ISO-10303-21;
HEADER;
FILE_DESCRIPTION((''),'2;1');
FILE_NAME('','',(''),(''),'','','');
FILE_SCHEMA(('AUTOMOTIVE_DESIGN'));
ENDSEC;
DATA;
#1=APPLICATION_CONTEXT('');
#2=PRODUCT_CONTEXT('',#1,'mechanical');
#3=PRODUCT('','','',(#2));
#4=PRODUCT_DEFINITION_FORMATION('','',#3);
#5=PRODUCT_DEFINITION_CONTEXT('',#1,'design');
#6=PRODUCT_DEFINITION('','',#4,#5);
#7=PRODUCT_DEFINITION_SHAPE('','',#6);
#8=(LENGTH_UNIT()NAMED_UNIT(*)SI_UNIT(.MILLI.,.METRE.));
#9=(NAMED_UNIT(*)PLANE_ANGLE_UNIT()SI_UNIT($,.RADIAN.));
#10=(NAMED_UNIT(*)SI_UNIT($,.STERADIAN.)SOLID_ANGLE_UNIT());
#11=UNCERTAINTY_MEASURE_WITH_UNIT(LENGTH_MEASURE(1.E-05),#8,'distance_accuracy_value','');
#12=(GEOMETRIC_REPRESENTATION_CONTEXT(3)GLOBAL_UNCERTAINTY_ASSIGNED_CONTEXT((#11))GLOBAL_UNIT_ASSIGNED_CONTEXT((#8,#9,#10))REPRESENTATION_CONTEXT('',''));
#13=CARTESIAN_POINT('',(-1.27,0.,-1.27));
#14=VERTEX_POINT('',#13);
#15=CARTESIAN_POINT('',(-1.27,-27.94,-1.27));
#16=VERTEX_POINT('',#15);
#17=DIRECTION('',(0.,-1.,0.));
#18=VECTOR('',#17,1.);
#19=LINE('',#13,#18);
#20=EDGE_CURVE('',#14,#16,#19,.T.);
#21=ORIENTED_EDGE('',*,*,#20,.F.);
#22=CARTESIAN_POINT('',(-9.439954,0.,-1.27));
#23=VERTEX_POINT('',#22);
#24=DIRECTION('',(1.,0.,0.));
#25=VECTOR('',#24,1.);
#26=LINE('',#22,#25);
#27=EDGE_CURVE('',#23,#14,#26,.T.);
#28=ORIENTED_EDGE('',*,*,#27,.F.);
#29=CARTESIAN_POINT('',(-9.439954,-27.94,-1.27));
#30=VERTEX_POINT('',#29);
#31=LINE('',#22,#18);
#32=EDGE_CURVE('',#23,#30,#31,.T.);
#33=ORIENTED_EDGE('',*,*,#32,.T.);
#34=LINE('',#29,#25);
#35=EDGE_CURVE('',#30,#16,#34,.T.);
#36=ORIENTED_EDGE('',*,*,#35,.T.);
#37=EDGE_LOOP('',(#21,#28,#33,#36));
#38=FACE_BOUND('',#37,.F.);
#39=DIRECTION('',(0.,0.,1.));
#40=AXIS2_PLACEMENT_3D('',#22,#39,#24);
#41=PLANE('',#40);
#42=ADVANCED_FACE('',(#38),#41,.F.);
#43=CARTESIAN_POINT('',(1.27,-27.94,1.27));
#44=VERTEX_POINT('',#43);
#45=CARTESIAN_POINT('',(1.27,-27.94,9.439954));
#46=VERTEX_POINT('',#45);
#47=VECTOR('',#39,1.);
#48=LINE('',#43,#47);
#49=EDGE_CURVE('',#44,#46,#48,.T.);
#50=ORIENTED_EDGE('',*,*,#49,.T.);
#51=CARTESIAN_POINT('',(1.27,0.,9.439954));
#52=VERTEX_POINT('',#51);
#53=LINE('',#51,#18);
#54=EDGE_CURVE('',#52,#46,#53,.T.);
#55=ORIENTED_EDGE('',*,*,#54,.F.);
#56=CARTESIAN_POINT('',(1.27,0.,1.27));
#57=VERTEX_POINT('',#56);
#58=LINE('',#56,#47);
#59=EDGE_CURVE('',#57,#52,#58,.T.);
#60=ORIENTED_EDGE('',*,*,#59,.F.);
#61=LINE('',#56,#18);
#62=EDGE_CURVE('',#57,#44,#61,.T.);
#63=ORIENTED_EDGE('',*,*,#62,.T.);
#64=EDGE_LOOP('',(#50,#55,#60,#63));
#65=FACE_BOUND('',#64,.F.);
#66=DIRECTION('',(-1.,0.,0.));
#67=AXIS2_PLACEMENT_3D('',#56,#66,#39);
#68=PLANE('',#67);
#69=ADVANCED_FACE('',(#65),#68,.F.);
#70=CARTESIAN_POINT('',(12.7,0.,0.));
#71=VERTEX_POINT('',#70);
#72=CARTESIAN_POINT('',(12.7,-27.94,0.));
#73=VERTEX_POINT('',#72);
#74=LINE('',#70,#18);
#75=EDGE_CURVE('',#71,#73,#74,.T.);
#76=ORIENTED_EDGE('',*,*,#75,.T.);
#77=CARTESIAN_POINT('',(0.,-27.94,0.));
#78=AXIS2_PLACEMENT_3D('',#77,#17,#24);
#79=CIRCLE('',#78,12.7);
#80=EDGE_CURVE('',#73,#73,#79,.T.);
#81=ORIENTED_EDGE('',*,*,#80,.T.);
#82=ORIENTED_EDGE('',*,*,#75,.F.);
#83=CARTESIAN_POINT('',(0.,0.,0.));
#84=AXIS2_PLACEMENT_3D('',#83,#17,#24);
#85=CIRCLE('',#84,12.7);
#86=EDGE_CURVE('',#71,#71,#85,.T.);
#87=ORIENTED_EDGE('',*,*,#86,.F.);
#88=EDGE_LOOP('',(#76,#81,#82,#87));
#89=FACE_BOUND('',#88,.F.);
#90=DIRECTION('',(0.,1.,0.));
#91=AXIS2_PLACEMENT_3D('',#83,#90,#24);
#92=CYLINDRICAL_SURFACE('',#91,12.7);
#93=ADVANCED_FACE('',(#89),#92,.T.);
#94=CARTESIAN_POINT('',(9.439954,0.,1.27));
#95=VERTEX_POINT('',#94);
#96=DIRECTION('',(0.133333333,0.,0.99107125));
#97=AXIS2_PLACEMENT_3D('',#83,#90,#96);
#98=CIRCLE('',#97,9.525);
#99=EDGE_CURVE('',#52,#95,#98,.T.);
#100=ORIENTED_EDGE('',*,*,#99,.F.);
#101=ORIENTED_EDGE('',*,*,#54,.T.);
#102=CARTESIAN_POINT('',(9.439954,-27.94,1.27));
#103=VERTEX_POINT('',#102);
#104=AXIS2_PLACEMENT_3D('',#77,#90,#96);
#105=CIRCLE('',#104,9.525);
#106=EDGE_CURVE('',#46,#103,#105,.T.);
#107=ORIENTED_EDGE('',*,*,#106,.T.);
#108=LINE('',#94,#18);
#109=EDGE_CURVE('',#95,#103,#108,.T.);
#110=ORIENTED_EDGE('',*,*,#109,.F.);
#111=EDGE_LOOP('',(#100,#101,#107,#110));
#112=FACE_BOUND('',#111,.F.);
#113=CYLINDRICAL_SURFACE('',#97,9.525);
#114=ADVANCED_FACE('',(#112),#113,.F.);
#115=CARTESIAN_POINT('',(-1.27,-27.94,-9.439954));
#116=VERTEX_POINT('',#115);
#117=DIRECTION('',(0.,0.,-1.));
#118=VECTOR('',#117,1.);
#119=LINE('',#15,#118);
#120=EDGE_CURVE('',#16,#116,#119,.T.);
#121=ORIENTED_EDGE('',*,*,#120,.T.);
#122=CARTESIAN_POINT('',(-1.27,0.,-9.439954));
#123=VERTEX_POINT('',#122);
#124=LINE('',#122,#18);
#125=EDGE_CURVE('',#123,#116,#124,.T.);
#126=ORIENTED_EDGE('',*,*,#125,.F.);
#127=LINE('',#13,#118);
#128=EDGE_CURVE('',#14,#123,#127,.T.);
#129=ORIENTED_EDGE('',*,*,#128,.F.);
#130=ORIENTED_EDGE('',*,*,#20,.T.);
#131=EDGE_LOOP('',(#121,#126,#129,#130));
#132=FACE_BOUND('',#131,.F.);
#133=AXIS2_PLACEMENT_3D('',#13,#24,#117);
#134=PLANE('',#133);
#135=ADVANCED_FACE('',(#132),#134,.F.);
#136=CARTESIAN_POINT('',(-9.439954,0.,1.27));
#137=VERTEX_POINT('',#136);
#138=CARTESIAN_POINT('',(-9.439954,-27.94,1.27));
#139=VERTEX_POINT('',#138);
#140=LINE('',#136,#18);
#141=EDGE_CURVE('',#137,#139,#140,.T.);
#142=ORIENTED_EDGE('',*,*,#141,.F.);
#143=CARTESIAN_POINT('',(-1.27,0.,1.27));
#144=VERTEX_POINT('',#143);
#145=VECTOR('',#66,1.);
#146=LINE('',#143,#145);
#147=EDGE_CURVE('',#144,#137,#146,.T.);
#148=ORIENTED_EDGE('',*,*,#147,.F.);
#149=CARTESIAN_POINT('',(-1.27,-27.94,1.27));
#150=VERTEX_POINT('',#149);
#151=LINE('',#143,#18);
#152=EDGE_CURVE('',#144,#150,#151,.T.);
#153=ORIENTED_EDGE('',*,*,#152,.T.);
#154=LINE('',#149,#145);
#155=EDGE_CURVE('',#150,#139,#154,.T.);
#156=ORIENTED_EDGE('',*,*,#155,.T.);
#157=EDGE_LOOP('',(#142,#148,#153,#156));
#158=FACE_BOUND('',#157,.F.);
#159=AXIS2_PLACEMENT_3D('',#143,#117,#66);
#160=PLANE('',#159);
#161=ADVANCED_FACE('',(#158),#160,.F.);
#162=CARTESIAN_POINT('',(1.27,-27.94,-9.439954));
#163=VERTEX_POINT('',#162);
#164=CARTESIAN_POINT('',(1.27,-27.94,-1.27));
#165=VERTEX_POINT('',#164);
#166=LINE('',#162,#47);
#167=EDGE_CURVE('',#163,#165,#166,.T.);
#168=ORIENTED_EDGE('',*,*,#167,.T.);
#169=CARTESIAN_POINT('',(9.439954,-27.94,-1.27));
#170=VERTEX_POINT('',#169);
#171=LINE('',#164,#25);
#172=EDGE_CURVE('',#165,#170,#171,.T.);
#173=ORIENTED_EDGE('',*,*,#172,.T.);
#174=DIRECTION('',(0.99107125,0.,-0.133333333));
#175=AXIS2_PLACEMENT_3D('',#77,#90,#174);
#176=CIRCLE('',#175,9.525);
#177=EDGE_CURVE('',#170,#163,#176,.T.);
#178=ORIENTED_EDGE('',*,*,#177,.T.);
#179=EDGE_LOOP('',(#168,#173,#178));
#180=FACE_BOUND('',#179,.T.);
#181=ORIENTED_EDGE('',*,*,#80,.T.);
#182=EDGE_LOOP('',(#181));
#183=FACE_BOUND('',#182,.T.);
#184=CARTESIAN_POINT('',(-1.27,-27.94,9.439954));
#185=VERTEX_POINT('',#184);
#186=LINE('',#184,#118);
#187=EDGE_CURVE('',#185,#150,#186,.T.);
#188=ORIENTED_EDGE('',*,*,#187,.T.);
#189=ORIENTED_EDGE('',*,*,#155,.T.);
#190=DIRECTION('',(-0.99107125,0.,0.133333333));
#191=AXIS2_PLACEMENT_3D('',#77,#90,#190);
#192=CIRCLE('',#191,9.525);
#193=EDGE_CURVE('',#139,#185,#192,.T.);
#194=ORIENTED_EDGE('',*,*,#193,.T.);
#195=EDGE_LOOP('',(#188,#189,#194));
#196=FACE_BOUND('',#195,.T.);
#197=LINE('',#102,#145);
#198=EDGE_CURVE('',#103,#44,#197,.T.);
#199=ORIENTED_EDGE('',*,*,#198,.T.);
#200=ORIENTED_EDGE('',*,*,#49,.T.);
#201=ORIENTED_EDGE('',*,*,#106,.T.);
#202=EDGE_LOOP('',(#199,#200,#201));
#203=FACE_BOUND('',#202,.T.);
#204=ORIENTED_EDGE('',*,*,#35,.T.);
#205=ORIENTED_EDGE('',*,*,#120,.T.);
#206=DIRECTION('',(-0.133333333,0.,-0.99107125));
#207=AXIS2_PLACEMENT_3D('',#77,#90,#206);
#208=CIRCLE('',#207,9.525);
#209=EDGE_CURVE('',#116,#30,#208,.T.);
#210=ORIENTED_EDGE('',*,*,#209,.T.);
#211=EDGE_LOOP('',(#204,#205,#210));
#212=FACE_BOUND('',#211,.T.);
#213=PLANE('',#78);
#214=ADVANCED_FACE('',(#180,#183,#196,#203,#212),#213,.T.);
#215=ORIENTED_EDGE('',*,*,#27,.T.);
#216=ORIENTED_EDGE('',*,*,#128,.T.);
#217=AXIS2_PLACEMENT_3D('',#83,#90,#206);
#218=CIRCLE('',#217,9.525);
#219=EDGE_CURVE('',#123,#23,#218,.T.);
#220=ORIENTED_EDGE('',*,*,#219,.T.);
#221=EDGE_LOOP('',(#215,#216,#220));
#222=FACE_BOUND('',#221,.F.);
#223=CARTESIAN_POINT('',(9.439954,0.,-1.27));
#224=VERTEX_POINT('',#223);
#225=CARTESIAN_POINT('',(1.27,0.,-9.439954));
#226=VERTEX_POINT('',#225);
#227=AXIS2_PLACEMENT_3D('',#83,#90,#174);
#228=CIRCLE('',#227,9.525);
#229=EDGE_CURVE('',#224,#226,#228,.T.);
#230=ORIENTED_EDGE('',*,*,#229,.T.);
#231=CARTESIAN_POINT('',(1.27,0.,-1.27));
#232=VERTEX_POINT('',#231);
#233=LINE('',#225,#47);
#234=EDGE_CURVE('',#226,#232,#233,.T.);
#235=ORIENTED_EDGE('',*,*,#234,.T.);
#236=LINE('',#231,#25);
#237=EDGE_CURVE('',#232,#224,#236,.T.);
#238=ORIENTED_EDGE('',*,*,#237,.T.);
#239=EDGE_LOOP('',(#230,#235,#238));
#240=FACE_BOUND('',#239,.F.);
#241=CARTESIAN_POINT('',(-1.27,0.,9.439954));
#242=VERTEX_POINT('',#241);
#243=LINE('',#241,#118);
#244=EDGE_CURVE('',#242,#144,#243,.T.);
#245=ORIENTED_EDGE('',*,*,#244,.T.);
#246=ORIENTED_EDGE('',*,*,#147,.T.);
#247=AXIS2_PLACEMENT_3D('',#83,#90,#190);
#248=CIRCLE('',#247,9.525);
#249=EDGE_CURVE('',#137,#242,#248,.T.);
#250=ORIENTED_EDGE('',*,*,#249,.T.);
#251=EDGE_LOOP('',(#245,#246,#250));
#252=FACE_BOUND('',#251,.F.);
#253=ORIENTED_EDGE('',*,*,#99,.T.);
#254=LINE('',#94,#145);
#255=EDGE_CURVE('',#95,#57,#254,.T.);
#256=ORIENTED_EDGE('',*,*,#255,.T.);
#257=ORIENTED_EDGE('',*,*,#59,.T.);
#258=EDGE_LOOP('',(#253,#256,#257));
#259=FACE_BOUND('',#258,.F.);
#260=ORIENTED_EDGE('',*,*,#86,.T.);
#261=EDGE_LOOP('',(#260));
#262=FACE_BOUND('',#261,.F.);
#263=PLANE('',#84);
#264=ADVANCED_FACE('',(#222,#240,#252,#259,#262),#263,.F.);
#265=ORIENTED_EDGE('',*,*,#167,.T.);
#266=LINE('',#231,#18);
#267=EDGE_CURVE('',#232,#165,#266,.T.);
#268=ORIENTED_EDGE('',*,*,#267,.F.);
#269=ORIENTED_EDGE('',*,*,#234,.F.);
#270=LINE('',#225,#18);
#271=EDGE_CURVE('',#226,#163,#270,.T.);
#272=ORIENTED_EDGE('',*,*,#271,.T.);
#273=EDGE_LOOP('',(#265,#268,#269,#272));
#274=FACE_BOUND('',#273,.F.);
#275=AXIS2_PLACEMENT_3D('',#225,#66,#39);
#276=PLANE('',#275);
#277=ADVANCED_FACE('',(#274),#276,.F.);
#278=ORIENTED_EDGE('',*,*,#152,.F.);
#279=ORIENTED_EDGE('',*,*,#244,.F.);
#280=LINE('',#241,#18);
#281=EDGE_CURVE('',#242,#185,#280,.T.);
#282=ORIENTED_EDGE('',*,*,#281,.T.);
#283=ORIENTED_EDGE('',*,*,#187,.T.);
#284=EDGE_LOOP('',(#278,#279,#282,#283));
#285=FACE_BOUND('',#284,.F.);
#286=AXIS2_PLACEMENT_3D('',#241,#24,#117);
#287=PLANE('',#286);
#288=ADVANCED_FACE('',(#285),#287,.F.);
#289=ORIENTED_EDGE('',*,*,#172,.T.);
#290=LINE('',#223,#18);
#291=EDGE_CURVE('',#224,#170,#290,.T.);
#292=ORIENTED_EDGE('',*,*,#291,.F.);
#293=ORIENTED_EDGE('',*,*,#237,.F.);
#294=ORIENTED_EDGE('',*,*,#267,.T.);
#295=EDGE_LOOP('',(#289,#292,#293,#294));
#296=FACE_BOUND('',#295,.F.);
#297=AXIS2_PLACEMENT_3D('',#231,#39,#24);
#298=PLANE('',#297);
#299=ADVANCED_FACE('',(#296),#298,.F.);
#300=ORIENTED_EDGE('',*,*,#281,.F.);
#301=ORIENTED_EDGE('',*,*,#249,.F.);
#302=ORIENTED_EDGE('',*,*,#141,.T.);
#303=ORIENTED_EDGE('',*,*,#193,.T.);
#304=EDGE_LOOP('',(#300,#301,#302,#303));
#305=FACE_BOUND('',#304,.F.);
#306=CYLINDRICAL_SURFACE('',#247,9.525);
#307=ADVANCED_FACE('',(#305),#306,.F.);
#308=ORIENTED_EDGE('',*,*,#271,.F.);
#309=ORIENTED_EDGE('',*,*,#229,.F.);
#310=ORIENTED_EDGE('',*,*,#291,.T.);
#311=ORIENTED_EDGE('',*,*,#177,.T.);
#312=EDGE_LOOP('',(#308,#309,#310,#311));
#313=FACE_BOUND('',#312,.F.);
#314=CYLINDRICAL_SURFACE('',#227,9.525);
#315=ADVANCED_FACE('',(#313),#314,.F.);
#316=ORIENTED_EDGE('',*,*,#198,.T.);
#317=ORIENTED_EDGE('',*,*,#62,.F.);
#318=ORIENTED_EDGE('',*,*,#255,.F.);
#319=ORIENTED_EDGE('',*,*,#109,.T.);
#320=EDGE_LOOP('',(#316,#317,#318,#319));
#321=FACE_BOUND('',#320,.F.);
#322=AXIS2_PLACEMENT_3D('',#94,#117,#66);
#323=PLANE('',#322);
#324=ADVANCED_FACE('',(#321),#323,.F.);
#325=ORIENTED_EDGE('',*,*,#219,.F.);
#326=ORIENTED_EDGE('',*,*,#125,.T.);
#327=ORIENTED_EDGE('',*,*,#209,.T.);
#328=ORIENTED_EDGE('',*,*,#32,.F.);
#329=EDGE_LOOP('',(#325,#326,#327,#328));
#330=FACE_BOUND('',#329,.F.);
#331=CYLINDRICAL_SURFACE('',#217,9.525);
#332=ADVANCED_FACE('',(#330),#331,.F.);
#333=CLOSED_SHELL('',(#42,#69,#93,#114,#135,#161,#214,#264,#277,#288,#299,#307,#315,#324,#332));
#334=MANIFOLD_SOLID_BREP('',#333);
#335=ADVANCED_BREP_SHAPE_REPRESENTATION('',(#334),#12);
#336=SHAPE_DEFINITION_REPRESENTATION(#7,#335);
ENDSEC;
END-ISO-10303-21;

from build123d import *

# Parameters (mm, degrees)
F0_R     = 12.7
F0_W     = 2.54
F0_H     = 2.54
F1_DEPTH = 27.94


with BuildPart() as f1:
    # F0 (on Front) → F1 (new body)
    with BuildSketch(Plane.XZ):
        Circle(F0_R)
        with BuildLine():
            ThreePointArc((1.27, 9.4399536545), (6.7351920908, 6.7351920908), (9.4399536545, 1.27))
            Line((9.4399536545, 1.27), (11.43, 1.27))
            Line((11.43, 1.27), (11.43, -1.27))
            Line((11.43, -1.27), (9.4399536545, -1.27))
            ThreePointArc((9.4399536545, -1.27), (6.7351920908, -6.7351920908), (1.27, -9.4399536545))
            Line((1.27, -9.4399536545), (1.27, -11.43))
            Line((1.27, -11.43), (-1.27, -11.43))
            Line((-1.27, -11.43), (-1.27, -9.4399536545))
            ThreePointArc((-1.27, -9.4399536545), (-6.7351920908, -6.7351920908), (-9.4399536545, -1.27))
            Line((-9.4399536545, -1.27), (-11.43, -1.27))
            Line((-11.43, -1.27), (-11.43, 1.27))
            Line((-11.43, 1.27), (-9.4399536545, 1.27))
            ThreePointArc((-9.4399536545, 1.27), (-6.7351920908, 6.7351920908), (-1.27, 9.4399536545))
            Line((-1.27, 9.4399536545), (-1.27, 11.43))
            Line((-1.27, 11.43), (1.27, 11.43))
            Line((1.27, 11.43), (1.27, 9.4399536545))
        make_face(mode=Mode.SUBTRACT)
        with BuildLine():
            ThreePointArc((9.4399536545, -1.27), (9.5037146306, -0.6364222028), (9.525, 0))
            ThreePointArc((9.525, 0), (9.5037146306, 0.6364222028), (9.4399536545, 1.27))
            Line((9.4399536545, 1.27), (1.27, 1.27))
            Line((1.27, 1.27), (1.27, -1.27))
            Line((1.27, -1.27), (9.4399536545, -1.27))
        make_face()
        with BuildLine():
            Line((-1.27, -1.27), (-1.27, 1.27))
            Line((-1.27, 1.27), (-9.4399536545, 1.27))
            ThreePointArc((-9.4399536545, 1.27), (-9.525, 0), (-9.4399536545, -1.27))
            Line((-9.4399536545, -1.27), (-1.27, -1.27))
        make_face()
        with BuildLine():
            Line((1.27, 1.27), (1.27, 9.4399536545))
            ThreePointArc((1.27, 9.4399536545), (0, 9.525), (-1.27, 9.4399536545))
            Line((-1.27, 9.4399536545), (-1.27, 1.27))
            Line((-1.27, 1.27), (1.27, 1.27))
        make_face()
        with BuildLine():
            ThreePointArc((-1.27, -9.4399536545), (0, -9.525), (1.27, -9.4399536545))
            Line((1.27, -9.4399536545), (1.27, -1.27))
            Line((1.27, -1.27), (-1.27, -1.27))
            Line((-1.27, -1.27), (-1.27, -9.4399536545))
        make_face()
        Rectangle(F0_W, F0_H)
        with BuildLine():
            ThreePointArc((-9.4399536545, -1.27), (-9.525, 0), (-9.4399536545, 1.27))
            Line((-9.4399536545, 1.27), (-11.43, 1.27))
            Line((-11.43, 1.27), (-11.43, -1.27))
            Line((-11.43, -1.27), (-9.4399536545, -1.27))
        make_face()
        with BuildLine():
            ThreePointArc((-1.27, 9.4399536545), (0, 9.525), (1.27, 9.4399536545))
            Line((1.27, 9.4399536545), (1.27, 11.43))
            Line((1.27, 11.43), (-1.27, 11.43))
            Line((-1.27, 11.43), (-1.27, 9.4399536545))
        make_face()
        with BuildLine():
            Line((1.27, -11.43), (1.27, -9.4399536545))
            ThreePointArc((1.27, -9.4399536545), (0, -9.525), (-1.27, -9.4399536545))
            Line((-1.27, -9.4399536545), (-1.27, -11.43))
            Line((-1.27, -11.43), (1.27, -11.43))
        make_face()
        with BuildLine():
            ThreePointArc((9.4399536545, 1.27), (9.5037146306, 0.6364222028), (9.525, 0))
            ThreePointArc((9.525, 0), (9.5037146306, -0.6364222028), (9.4399536545, -1.27))
            Line((9.4399536545, -1.27), (11.43, -1.27))
            Line((11.43, -1.27), (11.43, 1.27))
            Line((11.43, 1.27), (9.4399536545, 1.27))
        make_face()
    extrude(amount=F1_DEPTH)


solid = f1.part
